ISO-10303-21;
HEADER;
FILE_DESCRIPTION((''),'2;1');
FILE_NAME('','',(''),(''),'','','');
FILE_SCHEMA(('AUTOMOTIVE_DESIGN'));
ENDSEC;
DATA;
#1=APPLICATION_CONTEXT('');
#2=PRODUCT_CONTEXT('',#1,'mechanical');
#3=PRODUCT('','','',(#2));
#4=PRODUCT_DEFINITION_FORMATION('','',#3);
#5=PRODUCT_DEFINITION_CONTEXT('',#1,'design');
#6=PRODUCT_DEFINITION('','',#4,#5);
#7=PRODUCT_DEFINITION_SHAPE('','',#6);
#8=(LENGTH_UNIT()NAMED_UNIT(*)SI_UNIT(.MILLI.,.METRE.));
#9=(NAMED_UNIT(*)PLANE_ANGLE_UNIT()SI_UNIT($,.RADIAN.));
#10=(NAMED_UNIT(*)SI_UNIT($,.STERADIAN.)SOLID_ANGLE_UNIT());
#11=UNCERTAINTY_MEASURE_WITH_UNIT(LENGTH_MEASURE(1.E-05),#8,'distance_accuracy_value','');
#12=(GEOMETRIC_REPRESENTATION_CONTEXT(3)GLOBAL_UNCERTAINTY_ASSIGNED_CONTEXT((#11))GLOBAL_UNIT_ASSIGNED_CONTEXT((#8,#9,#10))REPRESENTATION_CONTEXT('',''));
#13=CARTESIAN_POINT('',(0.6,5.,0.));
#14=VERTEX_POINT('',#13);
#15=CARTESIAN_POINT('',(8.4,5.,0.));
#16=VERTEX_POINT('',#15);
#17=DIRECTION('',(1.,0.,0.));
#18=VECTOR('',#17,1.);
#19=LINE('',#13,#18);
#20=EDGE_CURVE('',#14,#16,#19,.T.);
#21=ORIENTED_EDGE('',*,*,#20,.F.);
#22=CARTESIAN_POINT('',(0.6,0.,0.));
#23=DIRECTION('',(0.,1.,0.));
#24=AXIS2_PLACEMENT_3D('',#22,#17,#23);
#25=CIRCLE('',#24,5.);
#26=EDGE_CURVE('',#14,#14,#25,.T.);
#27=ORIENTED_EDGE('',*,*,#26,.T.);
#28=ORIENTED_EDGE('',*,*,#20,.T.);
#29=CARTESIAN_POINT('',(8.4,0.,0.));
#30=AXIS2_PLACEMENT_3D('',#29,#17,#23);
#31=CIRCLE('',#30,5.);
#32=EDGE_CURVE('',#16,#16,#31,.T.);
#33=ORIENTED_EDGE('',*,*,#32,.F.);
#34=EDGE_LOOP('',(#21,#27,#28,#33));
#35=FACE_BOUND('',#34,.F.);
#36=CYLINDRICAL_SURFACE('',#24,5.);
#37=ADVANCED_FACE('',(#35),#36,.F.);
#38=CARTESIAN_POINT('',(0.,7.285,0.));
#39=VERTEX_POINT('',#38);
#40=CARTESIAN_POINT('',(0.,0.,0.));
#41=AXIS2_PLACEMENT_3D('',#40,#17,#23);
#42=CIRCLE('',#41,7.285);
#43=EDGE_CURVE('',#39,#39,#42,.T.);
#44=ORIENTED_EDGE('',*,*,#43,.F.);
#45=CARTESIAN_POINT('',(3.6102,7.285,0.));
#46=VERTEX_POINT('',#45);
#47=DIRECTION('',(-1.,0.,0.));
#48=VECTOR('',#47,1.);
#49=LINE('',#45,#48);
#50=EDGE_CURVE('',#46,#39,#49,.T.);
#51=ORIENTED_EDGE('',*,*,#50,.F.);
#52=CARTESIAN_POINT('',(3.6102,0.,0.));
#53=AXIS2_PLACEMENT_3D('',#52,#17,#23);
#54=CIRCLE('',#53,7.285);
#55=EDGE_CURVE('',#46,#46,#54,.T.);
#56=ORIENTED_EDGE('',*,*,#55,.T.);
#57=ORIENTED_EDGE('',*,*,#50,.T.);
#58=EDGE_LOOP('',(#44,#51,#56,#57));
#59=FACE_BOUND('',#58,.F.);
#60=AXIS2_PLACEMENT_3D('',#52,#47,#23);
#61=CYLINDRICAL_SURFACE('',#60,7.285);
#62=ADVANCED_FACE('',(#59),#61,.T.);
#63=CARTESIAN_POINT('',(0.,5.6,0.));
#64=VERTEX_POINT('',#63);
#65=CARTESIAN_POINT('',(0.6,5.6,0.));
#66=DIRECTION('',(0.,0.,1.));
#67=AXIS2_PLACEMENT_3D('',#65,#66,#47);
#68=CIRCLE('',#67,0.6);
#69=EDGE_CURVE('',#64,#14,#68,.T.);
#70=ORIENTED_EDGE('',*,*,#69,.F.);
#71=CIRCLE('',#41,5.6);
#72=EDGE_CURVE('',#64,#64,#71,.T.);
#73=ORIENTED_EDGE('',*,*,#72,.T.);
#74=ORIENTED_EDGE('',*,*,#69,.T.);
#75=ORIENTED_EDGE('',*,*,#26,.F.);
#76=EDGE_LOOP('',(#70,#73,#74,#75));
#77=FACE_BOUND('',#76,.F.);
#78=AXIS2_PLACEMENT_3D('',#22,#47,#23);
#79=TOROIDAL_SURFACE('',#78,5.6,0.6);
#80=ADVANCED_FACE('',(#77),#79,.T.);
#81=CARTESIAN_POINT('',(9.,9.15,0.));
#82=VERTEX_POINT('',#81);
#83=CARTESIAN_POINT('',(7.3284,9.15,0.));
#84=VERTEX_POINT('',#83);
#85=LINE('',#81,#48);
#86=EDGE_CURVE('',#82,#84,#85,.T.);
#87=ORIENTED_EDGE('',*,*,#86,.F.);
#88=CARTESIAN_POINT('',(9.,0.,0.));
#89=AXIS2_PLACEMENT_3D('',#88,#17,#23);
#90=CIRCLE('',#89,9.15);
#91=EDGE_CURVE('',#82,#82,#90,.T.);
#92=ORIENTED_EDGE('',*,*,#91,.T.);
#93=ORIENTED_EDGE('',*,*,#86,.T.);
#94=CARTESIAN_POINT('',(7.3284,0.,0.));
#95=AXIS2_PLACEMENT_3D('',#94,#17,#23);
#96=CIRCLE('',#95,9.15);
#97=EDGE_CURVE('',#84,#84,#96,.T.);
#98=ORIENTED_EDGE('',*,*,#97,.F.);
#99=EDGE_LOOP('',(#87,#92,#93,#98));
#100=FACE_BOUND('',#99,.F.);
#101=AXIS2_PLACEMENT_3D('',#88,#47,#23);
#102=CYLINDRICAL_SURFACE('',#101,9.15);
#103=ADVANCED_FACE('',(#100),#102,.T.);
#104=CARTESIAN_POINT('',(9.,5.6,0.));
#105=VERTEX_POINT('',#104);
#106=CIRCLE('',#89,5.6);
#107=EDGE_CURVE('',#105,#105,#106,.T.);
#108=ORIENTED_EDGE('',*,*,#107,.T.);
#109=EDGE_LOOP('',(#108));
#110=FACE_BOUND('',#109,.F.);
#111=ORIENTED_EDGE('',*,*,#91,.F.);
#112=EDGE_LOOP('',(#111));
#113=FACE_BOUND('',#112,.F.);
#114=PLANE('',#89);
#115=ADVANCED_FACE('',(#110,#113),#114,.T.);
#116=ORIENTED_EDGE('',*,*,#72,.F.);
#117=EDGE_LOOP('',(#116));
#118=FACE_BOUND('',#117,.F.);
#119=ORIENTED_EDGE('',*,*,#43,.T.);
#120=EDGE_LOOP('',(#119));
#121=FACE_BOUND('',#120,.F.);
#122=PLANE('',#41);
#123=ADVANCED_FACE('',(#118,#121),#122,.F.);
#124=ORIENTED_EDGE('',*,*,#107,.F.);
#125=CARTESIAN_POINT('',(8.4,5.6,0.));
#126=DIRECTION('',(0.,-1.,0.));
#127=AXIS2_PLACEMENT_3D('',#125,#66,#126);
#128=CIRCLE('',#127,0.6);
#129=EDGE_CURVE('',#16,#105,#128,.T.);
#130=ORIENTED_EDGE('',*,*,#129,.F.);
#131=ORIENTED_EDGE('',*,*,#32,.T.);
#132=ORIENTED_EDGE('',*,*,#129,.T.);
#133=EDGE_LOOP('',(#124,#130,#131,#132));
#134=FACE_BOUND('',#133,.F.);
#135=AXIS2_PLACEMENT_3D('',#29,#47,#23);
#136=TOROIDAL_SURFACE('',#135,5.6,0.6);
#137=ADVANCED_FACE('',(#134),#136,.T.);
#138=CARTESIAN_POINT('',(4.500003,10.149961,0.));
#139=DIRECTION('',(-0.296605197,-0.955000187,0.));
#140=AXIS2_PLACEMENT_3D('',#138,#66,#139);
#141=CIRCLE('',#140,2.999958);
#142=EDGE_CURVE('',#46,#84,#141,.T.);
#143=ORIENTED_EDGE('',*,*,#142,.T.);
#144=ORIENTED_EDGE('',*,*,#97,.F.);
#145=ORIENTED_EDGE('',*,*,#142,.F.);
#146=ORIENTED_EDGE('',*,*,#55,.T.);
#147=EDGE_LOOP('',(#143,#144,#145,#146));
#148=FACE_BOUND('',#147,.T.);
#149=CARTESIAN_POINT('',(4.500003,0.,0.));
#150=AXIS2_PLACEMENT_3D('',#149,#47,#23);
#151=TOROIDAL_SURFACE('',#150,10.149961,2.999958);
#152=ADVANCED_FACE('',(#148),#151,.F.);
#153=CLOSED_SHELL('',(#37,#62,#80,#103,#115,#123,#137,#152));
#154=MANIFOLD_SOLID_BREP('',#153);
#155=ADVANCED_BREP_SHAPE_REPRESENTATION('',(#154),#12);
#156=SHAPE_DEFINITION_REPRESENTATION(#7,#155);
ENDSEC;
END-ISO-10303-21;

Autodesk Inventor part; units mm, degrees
ref_plane "YZ Plane" through (0, 0, 0) normal (1, 0, 0) x (0, 1, 0)
ref_plane "XZ Plane" through (0, 0, 0) normal (0, 1, 0) x (-1, 0, 0)
ref_plane "XY Plane" through (0, 0, 0) normal (0, 0, 1) x (1, 0, 0)
sketch "Sketch_1" plane through (0, 0, 0) normal (0, 0, 1) x (1, 0, 0)
  line L0 (9, 0) -> (0, 0)
  line L1 (0, 7.285) -> (0, 5.6)
  arc A0 (0, 5.6) -> (0.6, 5) centre (0.6, 5.6) ccw
  line L2 (0.6, 5) -> (8.4, 5)
  arc A1 (8.4, 5) -> (9, 5.6) centre (8.4, 5.6) ccw
  line L3 (9, 5.6) -> (9, 9.15)
  line L4 (9, 9.15) -> (7.3284, 9.15)
  arc A2 (3.6102, 7.285) -> (7.3284, 9.15) centre (4.5, 10.15) ccw
  line L5 (3.6102, 7.285) -> (0, 7.285)
revolve "Revolution1" add sketch "Sketch_1" angle 360 about axis through (9, 0, 0) along (1, 0, 0)
properties part number "SKF_7200 BECBP_PART1"
